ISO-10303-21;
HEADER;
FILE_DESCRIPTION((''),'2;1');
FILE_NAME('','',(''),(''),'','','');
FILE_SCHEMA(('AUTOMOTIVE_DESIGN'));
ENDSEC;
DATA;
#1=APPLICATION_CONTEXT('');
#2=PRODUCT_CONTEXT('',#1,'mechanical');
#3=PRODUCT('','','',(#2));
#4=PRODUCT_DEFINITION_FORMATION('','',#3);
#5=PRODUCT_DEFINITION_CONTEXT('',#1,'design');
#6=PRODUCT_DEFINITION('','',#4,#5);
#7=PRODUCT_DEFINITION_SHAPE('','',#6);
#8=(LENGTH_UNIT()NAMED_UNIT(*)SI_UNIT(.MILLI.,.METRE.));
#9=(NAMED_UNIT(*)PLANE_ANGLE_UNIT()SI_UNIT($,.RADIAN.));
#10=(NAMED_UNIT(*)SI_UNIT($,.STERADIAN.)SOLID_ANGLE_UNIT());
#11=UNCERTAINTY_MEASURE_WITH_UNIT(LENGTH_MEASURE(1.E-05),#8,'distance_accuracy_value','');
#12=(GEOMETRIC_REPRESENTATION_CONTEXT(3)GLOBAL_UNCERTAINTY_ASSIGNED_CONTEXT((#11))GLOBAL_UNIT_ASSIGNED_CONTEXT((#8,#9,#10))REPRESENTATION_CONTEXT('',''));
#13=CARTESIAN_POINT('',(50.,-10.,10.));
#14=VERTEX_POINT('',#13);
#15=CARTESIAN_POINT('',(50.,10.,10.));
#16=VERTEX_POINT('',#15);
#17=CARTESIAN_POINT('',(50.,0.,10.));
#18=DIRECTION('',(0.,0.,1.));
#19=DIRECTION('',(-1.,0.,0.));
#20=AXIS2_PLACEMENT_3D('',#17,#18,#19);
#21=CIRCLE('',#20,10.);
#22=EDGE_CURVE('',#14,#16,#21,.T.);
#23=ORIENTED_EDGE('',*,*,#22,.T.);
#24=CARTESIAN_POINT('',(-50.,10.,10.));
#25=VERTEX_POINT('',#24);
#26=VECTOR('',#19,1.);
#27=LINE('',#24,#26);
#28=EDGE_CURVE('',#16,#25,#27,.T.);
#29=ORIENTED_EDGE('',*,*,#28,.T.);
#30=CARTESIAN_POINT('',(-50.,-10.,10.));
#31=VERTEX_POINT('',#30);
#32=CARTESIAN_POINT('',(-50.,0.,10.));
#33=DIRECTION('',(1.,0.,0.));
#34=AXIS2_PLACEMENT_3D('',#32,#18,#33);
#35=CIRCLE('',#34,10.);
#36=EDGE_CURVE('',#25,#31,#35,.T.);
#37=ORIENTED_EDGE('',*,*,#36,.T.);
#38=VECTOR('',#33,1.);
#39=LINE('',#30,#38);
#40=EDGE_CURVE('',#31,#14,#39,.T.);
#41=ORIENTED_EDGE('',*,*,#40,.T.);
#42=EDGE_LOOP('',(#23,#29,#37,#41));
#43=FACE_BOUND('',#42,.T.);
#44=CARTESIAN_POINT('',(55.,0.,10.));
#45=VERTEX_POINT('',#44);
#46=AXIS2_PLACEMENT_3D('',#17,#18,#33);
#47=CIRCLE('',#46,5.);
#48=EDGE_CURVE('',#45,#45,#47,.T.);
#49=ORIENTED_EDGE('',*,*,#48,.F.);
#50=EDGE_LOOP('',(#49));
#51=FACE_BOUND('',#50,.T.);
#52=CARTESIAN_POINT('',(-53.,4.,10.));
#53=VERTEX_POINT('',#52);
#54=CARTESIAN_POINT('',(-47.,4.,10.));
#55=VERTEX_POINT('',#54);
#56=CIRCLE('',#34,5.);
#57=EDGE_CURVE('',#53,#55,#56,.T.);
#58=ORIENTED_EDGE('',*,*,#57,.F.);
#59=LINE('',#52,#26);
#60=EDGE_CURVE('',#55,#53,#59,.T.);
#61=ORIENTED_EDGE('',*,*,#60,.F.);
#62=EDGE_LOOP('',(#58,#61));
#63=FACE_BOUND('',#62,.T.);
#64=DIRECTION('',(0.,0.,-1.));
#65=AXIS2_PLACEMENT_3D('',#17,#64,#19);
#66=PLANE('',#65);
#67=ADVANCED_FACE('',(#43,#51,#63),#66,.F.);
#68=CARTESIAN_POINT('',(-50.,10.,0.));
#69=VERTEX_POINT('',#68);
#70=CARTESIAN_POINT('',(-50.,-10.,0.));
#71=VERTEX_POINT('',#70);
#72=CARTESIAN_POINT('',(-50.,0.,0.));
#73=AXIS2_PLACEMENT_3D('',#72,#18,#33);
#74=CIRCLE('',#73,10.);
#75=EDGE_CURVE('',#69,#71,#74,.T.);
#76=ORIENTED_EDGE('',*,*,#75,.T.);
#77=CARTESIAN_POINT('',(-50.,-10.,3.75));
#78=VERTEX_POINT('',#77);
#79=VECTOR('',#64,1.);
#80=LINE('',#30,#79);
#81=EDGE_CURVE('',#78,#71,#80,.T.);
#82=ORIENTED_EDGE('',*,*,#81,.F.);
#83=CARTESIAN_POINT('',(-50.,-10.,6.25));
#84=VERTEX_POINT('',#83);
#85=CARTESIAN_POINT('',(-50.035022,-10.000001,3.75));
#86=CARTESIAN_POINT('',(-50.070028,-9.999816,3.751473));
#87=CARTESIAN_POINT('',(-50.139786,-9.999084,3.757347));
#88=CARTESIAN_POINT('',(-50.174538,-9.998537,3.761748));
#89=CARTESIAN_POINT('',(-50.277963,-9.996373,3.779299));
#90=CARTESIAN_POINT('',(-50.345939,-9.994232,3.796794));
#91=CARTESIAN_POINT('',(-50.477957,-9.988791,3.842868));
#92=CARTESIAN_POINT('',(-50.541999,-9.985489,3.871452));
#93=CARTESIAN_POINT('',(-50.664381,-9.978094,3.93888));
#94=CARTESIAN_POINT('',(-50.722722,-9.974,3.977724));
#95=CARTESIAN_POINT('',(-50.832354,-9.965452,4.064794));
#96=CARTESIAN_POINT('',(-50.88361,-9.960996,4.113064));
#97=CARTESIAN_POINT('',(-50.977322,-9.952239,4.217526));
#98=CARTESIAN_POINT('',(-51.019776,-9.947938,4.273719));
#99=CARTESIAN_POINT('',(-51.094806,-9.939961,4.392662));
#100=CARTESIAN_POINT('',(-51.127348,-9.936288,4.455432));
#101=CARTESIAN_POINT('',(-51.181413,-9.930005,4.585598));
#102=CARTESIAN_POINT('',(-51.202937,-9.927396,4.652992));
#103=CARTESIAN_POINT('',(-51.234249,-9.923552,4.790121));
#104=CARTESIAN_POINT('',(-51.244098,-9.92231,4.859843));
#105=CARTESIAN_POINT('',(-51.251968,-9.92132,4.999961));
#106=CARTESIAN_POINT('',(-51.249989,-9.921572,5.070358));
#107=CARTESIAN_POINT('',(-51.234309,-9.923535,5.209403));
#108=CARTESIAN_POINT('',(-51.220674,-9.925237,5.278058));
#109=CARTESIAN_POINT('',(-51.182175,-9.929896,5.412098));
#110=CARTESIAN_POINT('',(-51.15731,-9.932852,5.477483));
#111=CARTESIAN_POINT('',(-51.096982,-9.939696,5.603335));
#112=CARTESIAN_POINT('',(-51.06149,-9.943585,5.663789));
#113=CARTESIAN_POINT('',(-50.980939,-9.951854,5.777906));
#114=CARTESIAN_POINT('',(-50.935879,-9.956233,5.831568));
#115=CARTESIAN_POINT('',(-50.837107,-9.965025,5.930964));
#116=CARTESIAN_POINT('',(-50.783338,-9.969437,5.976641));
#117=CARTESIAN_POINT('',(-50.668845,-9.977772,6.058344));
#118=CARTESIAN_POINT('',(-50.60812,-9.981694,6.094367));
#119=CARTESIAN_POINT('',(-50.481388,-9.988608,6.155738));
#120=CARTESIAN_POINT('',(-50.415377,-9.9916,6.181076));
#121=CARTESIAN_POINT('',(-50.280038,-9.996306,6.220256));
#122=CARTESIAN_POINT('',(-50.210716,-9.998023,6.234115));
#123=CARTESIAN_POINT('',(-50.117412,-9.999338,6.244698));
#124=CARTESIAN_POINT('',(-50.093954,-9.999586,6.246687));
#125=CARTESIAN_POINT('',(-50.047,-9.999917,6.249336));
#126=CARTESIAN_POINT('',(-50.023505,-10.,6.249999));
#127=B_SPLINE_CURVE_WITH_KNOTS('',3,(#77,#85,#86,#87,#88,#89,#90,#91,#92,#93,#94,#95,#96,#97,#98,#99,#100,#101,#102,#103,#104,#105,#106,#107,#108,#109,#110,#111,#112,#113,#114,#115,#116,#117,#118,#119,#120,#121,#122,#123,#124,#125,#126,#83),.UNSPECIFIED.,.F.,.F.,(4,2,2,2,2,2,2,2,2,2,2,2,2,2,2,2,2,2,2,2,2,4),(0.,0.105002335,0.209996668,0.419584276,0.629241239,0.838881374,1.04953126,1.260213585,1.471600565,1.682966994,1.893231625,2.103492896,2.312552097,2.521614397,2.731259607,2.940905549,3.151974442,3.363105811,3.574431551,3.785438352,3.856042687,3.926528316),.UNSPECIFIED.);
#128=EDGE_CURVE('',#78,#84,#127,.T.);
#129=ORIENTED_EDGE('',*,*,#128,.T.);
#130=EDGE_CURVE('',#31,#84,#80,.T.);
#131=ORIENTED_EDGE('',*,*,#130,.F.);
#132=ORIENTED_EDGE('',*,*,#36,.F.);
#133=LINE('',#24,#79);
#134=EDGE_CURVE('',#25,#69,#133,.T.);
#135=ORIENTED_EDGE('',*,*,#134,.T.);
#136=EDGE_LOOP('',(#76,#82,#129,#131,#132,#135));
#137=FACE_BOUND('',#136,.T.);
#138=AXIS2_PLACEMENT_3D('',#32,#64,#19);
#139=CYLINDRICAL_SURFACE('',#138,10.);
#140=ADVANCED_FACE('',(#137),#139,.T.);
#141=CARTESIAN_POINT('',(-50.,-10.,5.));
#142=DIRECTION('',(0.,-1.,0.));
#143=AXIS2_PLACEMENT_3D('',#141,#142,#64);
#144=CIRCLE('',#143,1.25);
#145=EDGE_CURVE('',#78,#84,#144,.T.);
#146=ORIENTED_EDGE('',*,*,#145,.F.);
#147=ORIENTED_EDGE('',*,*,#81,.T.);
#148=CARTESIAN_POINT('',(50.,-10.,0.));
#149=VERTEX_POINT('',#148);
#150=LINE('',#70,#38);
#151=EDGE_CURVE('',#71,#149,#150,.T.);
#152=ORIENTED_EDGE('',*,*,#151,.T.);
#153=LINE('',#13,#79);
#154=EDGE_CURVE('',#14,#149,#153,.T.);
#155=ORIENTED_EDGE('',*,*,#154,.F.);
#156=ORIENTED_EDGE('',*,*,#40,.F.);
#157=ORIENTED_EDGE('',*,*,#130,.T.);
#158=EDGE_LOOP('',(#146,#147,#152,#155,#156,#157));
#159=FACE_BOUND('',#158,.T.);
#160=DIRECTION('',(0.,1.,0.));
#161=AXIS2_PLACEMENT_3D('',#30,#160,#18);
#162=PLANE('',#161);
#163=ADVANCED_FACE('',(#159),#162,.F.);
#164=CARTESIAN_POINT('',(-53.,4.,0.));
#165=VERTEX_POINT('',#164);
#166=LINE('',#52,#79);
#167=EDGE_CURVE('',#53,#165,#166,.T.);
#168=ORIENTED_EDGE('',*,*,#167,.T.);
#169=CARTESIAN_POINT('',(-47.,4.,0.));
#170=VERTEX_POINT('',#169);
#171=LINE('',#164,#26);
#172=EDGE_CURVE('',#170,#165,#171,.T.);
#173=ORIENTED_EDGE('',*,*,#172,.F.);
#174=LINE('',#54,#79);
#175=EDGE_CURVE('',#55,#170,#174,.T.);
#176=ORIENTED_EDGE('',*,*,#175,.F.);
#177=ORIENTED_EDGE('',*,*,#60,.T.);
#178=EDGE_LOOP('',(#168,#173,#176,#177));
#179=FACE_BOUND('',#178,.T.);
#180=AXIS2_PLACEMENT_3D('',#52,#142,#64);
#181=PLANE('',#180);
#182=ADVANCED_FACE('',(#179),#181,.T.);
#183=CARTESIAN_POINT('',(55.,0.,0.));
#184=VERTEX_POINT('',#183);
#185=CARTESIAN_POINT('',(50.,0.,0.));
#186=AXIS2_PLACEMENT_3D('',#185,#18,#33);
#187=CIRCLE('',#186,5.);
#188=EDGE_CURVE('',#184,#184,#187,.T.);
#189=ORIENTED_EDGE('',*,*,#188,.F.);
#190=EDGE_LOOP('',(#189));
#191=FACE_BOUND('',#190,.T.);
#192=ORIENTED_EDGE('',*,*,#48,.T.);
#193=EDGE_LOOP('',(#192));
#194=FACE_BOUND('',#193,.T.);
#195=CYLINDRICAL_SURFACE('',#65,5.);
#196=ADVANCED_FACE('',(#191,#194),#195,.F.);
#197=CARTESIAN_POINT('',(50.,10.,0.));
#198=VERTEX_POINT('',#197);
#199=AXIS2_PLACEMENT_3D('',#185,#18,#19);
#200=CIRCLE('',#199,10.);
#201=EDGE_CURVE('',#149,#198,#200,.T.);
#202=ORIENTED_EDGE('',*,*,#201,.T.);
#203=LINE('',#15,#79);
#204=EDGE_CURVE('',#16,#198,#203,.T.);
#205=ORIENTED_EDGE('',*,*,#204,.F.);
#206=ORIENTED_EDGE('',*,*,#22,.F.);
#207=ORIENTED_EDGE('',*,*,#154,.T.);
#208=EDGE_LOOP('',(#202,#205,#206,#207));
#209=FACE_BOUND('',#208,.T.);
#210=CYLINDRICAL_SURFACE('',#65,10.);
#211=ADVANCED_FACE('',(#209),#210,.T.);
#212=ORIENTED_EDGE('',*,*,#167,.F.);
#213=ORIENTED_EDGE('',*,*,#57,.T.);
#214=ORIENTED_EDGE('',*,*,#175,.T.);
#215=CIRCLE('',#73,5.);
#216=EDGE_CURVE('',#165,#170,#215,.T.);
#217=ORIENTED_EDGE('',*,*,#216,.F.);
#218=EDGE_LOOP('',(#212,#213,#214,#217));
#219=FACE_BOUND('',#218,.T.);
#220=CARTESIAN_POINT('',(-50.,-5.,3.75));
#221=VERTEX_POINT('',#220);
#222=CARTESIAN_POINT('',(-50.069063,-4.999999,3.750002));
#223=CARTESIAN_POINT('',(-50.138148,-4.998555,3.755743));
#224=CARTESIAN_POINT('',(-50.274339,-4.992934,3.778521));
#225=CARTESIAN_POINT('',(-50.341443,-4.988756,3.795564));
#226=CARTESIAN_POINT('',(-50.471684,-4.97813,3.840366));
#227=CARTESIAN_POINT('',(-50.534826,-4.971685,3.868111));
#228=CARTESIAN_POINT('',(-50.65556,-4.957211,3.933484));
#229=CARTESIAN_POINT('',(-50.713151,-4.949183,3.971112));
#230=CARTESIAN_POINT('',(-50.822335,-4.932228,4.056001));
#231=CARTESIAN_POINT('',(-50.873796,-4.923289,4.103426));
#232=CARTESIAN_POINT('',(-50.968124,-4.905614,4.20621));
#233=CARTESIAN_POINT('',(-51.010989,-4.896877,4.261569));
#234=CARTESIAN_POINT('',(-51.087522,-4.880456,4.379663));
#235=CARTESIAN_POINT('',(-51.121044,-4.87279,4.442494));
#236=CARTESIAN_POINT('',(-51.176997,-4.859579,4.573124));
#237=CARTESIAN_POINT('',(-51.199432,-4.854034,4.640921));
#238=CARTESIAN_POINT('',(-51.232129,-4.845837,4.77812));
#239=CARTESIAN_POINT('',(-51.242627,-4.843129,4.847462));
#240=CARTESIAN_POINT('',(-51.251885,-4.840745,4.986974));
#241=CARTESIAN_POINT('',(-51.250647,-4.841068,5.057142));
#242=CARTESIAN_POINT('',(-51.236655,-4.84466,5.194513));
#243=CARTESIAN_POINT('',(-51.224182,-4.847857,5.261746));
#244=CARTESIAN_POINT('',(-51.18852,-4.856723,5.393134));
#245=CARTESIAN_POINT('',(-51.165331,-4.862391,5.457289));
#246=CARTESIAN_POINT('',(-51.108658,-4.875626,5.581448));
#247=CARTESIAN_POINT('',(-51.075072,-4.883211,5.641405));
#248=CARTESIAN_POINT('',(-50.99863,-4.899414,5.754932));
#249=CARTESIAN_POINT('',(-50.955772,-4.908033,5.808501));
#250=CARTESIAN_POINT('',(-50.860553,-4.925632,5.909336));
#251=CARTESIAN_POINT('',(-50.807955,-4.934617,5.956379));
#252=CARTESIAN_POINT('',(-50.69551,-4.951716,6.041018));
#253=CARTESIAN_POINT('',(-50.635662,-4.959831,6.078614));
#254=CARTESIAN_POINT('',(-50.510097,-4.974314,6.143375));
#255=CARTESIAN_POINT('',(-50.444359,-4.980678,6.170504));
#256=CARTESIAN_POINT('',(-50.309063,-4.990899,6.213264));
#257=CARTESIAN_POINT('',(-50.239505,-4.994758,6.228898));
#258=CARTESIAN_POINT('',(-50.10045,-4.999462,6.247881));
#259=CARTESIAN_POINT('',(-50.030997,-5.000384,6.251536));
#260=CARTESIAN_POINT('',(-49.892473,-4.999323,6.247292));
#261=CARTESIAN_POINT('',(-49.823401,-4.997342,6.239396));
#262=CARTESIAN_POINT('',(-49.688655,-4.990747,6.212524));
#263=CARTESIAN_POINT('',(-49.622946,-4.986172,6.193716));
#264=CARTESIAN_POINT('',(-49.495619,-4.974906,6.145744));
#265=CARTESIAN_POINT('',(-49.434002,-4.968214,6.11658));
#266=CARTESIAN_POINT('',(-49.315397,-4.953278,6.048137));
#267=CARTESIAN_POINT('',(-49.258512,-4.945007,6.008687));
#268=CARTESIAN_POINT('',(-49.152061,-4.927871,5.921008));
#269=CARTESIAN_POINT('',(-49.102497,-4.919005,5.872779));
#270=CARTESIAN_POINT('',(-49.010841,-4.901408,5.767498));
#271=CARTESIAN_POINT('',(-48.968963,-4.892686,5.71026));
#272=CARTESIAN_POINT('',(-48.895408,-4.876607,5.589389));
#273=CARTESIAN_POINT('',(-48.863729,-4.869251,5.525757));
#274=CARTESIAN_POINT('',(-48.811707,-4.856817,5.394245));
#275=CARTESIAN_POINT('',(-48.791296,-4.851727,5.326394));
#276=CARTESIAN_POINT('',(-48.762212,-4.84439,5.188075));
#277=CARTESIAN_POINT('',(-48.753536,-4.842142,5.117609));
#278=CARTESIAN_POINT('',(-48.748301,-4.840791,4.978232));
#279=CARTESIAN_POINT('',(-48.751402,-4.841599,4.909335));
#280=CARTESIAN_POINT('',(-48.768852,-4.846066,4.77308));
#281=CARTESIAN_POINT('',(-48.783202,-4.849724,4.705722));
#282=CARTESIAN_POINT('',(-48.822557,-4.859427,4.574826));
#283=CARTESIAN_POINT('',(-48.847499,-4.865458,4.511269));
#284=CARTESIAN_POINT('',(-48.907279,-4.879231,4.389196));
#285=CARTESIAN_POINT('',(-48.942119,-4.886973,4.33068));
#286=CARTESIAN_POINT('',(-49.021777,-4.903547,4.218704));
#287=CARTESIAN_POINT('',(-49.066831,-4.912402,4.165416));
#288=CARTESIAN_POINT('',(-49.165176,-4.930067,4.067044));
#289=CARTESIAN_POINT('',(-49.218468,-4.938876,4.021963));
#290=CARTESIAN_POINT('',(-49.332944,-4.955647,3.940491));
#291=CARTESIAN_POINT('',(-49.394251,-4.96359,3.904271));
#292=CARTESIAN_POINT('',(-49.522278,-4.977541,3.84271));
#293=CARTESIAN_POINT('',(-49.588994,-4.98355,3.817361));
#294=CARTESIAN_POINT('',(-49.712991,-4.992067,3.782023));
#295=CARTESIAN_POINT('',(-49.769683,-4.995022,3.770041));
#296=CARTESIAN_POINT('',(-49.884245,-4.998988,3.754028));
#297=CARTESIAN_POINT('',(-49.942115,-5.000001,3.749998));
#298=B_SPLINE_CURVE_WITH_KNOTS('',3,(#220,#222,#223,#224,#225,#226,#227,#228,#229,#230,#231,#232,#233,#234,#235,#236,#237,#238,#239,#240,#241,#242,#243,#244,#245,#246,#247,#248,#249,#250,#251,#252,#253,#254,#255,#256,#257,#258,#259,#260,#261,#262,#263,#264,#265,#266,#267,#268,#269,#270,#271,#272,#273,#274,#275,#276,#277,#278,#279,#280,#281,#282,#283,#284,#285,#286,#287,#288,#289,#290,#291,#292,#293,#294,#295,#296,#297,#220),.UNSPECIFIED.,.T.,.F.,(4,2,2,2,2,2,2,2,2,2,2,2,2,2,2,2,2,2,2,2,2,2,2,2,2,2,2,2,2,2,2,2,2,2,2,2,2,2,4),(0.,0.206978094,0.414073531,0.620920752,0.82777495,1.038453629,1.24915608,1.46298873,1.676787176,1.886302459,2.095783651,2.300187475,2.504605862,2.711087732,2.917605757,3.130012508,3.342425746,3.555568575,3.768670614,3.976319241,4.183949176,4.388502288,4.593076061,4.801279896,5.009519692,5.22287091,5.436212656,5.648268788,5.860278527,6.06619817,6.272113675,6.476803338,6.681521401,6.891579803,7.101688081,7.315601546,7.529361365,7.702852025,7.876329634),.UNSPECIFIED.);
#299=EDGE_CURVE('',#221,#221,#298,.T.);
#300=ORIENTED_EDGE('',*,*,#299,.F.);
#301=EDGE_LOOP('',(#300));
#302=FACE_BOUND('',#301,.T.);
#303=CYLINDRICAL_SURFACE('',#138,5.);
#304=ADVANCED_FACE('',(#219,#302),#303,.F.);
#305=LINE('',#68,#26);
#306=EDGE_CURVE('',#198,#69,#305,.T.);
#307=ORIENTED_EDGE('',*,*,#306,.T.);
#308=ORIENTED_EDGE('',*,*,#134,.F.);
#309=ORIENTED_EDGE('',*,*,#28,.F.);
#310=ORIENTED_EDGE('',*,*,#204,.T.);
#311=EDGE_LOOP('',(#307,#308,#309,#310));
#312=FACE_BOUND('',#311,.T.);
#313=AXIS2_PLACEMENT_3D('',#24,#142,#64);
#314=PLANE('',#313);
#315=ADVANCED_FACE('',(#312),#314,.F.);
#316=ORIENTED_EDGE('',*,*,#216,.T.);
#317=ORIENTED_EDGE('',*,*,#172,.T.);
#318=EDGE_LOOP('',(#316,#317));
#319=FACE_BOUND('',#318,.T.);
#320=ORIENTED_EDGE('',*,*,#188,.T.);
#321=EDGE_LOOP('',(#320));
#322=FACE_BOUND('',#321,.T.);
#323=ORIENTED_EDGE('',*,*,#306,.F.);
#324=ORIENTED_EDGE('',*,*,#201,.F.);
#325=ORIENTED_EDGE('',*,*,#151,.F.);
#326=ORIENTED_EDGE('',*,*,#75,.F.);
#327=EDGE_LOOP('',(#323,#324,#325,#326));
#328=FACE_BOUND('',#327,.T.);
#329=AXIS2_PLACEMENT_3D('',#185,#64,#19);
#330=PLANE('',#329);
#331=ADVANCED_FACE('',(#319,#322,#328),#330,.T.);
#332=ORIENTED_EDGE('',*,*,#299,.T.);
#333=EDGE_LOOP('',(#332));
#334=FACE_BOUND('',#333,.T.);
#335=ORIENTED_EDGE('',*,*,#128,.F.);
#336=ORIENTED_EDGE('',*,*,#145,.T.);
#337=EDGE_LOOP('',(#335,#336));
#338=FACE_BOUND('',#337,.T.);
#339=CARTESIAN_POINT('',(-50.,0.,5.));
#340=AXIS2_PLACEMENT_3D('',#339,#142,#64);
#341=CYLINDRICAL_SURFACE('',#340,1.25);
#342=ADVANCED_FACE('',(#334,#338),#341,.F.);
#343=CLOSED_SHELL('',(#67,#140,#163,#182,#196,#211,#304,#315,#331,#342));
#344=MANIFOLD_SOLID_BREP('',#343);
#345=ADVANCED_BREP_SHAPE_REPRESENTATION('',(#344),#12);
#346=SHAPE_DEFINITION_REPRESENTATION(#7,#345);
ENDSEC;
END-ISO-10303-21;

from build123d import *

# Parameters (mm, degrees)
SKETCH_1_R          = 5
EXTRUDE_1_DEPTH     = 10
SKETCH_2_R          = 1.25
CUT_EXTRUDE_1_DEPTH = 10


with BuildPart() as part:
    # 草图1 → 凸台-拉伸1 (new body)
    with BuildSketch(Plane.XY):
        with BuildLine():
            Line((-50, 10), (50, 10))
            ThreePointArc((50, 10), (60, 0), (50, -10))
            Line((50, -10), (-50, -10))
            ThreePointArc((-50, -10), (-60, 0), (-50, 10))
        make_face()
        with Locations((50, 0)):
            Circle(SKETCH_1_R, mode=Mode.SUBTRACT)
        with BuildLine():
            Line((-53, 4), (-47, 4))
            ThreePointArc((-47, 4), (-50, -5), (-53, 4))
        make_face(mode=Mode.SUBTRACT)
    extrude(amount=EXTRUDE_1_DEPTH)

    # 草图2 → 切除-拉伸1 (cut)
    with BuildSketch(Plane.XZ.offset(10)):
        with Locations((-50, 5)):
            Circle(SKETCH_2_R)
    extrude(amount=-CUT_EXTRUDE_1_DEPTH, mode=Mode.SUBTRACT)


solid = part.part
